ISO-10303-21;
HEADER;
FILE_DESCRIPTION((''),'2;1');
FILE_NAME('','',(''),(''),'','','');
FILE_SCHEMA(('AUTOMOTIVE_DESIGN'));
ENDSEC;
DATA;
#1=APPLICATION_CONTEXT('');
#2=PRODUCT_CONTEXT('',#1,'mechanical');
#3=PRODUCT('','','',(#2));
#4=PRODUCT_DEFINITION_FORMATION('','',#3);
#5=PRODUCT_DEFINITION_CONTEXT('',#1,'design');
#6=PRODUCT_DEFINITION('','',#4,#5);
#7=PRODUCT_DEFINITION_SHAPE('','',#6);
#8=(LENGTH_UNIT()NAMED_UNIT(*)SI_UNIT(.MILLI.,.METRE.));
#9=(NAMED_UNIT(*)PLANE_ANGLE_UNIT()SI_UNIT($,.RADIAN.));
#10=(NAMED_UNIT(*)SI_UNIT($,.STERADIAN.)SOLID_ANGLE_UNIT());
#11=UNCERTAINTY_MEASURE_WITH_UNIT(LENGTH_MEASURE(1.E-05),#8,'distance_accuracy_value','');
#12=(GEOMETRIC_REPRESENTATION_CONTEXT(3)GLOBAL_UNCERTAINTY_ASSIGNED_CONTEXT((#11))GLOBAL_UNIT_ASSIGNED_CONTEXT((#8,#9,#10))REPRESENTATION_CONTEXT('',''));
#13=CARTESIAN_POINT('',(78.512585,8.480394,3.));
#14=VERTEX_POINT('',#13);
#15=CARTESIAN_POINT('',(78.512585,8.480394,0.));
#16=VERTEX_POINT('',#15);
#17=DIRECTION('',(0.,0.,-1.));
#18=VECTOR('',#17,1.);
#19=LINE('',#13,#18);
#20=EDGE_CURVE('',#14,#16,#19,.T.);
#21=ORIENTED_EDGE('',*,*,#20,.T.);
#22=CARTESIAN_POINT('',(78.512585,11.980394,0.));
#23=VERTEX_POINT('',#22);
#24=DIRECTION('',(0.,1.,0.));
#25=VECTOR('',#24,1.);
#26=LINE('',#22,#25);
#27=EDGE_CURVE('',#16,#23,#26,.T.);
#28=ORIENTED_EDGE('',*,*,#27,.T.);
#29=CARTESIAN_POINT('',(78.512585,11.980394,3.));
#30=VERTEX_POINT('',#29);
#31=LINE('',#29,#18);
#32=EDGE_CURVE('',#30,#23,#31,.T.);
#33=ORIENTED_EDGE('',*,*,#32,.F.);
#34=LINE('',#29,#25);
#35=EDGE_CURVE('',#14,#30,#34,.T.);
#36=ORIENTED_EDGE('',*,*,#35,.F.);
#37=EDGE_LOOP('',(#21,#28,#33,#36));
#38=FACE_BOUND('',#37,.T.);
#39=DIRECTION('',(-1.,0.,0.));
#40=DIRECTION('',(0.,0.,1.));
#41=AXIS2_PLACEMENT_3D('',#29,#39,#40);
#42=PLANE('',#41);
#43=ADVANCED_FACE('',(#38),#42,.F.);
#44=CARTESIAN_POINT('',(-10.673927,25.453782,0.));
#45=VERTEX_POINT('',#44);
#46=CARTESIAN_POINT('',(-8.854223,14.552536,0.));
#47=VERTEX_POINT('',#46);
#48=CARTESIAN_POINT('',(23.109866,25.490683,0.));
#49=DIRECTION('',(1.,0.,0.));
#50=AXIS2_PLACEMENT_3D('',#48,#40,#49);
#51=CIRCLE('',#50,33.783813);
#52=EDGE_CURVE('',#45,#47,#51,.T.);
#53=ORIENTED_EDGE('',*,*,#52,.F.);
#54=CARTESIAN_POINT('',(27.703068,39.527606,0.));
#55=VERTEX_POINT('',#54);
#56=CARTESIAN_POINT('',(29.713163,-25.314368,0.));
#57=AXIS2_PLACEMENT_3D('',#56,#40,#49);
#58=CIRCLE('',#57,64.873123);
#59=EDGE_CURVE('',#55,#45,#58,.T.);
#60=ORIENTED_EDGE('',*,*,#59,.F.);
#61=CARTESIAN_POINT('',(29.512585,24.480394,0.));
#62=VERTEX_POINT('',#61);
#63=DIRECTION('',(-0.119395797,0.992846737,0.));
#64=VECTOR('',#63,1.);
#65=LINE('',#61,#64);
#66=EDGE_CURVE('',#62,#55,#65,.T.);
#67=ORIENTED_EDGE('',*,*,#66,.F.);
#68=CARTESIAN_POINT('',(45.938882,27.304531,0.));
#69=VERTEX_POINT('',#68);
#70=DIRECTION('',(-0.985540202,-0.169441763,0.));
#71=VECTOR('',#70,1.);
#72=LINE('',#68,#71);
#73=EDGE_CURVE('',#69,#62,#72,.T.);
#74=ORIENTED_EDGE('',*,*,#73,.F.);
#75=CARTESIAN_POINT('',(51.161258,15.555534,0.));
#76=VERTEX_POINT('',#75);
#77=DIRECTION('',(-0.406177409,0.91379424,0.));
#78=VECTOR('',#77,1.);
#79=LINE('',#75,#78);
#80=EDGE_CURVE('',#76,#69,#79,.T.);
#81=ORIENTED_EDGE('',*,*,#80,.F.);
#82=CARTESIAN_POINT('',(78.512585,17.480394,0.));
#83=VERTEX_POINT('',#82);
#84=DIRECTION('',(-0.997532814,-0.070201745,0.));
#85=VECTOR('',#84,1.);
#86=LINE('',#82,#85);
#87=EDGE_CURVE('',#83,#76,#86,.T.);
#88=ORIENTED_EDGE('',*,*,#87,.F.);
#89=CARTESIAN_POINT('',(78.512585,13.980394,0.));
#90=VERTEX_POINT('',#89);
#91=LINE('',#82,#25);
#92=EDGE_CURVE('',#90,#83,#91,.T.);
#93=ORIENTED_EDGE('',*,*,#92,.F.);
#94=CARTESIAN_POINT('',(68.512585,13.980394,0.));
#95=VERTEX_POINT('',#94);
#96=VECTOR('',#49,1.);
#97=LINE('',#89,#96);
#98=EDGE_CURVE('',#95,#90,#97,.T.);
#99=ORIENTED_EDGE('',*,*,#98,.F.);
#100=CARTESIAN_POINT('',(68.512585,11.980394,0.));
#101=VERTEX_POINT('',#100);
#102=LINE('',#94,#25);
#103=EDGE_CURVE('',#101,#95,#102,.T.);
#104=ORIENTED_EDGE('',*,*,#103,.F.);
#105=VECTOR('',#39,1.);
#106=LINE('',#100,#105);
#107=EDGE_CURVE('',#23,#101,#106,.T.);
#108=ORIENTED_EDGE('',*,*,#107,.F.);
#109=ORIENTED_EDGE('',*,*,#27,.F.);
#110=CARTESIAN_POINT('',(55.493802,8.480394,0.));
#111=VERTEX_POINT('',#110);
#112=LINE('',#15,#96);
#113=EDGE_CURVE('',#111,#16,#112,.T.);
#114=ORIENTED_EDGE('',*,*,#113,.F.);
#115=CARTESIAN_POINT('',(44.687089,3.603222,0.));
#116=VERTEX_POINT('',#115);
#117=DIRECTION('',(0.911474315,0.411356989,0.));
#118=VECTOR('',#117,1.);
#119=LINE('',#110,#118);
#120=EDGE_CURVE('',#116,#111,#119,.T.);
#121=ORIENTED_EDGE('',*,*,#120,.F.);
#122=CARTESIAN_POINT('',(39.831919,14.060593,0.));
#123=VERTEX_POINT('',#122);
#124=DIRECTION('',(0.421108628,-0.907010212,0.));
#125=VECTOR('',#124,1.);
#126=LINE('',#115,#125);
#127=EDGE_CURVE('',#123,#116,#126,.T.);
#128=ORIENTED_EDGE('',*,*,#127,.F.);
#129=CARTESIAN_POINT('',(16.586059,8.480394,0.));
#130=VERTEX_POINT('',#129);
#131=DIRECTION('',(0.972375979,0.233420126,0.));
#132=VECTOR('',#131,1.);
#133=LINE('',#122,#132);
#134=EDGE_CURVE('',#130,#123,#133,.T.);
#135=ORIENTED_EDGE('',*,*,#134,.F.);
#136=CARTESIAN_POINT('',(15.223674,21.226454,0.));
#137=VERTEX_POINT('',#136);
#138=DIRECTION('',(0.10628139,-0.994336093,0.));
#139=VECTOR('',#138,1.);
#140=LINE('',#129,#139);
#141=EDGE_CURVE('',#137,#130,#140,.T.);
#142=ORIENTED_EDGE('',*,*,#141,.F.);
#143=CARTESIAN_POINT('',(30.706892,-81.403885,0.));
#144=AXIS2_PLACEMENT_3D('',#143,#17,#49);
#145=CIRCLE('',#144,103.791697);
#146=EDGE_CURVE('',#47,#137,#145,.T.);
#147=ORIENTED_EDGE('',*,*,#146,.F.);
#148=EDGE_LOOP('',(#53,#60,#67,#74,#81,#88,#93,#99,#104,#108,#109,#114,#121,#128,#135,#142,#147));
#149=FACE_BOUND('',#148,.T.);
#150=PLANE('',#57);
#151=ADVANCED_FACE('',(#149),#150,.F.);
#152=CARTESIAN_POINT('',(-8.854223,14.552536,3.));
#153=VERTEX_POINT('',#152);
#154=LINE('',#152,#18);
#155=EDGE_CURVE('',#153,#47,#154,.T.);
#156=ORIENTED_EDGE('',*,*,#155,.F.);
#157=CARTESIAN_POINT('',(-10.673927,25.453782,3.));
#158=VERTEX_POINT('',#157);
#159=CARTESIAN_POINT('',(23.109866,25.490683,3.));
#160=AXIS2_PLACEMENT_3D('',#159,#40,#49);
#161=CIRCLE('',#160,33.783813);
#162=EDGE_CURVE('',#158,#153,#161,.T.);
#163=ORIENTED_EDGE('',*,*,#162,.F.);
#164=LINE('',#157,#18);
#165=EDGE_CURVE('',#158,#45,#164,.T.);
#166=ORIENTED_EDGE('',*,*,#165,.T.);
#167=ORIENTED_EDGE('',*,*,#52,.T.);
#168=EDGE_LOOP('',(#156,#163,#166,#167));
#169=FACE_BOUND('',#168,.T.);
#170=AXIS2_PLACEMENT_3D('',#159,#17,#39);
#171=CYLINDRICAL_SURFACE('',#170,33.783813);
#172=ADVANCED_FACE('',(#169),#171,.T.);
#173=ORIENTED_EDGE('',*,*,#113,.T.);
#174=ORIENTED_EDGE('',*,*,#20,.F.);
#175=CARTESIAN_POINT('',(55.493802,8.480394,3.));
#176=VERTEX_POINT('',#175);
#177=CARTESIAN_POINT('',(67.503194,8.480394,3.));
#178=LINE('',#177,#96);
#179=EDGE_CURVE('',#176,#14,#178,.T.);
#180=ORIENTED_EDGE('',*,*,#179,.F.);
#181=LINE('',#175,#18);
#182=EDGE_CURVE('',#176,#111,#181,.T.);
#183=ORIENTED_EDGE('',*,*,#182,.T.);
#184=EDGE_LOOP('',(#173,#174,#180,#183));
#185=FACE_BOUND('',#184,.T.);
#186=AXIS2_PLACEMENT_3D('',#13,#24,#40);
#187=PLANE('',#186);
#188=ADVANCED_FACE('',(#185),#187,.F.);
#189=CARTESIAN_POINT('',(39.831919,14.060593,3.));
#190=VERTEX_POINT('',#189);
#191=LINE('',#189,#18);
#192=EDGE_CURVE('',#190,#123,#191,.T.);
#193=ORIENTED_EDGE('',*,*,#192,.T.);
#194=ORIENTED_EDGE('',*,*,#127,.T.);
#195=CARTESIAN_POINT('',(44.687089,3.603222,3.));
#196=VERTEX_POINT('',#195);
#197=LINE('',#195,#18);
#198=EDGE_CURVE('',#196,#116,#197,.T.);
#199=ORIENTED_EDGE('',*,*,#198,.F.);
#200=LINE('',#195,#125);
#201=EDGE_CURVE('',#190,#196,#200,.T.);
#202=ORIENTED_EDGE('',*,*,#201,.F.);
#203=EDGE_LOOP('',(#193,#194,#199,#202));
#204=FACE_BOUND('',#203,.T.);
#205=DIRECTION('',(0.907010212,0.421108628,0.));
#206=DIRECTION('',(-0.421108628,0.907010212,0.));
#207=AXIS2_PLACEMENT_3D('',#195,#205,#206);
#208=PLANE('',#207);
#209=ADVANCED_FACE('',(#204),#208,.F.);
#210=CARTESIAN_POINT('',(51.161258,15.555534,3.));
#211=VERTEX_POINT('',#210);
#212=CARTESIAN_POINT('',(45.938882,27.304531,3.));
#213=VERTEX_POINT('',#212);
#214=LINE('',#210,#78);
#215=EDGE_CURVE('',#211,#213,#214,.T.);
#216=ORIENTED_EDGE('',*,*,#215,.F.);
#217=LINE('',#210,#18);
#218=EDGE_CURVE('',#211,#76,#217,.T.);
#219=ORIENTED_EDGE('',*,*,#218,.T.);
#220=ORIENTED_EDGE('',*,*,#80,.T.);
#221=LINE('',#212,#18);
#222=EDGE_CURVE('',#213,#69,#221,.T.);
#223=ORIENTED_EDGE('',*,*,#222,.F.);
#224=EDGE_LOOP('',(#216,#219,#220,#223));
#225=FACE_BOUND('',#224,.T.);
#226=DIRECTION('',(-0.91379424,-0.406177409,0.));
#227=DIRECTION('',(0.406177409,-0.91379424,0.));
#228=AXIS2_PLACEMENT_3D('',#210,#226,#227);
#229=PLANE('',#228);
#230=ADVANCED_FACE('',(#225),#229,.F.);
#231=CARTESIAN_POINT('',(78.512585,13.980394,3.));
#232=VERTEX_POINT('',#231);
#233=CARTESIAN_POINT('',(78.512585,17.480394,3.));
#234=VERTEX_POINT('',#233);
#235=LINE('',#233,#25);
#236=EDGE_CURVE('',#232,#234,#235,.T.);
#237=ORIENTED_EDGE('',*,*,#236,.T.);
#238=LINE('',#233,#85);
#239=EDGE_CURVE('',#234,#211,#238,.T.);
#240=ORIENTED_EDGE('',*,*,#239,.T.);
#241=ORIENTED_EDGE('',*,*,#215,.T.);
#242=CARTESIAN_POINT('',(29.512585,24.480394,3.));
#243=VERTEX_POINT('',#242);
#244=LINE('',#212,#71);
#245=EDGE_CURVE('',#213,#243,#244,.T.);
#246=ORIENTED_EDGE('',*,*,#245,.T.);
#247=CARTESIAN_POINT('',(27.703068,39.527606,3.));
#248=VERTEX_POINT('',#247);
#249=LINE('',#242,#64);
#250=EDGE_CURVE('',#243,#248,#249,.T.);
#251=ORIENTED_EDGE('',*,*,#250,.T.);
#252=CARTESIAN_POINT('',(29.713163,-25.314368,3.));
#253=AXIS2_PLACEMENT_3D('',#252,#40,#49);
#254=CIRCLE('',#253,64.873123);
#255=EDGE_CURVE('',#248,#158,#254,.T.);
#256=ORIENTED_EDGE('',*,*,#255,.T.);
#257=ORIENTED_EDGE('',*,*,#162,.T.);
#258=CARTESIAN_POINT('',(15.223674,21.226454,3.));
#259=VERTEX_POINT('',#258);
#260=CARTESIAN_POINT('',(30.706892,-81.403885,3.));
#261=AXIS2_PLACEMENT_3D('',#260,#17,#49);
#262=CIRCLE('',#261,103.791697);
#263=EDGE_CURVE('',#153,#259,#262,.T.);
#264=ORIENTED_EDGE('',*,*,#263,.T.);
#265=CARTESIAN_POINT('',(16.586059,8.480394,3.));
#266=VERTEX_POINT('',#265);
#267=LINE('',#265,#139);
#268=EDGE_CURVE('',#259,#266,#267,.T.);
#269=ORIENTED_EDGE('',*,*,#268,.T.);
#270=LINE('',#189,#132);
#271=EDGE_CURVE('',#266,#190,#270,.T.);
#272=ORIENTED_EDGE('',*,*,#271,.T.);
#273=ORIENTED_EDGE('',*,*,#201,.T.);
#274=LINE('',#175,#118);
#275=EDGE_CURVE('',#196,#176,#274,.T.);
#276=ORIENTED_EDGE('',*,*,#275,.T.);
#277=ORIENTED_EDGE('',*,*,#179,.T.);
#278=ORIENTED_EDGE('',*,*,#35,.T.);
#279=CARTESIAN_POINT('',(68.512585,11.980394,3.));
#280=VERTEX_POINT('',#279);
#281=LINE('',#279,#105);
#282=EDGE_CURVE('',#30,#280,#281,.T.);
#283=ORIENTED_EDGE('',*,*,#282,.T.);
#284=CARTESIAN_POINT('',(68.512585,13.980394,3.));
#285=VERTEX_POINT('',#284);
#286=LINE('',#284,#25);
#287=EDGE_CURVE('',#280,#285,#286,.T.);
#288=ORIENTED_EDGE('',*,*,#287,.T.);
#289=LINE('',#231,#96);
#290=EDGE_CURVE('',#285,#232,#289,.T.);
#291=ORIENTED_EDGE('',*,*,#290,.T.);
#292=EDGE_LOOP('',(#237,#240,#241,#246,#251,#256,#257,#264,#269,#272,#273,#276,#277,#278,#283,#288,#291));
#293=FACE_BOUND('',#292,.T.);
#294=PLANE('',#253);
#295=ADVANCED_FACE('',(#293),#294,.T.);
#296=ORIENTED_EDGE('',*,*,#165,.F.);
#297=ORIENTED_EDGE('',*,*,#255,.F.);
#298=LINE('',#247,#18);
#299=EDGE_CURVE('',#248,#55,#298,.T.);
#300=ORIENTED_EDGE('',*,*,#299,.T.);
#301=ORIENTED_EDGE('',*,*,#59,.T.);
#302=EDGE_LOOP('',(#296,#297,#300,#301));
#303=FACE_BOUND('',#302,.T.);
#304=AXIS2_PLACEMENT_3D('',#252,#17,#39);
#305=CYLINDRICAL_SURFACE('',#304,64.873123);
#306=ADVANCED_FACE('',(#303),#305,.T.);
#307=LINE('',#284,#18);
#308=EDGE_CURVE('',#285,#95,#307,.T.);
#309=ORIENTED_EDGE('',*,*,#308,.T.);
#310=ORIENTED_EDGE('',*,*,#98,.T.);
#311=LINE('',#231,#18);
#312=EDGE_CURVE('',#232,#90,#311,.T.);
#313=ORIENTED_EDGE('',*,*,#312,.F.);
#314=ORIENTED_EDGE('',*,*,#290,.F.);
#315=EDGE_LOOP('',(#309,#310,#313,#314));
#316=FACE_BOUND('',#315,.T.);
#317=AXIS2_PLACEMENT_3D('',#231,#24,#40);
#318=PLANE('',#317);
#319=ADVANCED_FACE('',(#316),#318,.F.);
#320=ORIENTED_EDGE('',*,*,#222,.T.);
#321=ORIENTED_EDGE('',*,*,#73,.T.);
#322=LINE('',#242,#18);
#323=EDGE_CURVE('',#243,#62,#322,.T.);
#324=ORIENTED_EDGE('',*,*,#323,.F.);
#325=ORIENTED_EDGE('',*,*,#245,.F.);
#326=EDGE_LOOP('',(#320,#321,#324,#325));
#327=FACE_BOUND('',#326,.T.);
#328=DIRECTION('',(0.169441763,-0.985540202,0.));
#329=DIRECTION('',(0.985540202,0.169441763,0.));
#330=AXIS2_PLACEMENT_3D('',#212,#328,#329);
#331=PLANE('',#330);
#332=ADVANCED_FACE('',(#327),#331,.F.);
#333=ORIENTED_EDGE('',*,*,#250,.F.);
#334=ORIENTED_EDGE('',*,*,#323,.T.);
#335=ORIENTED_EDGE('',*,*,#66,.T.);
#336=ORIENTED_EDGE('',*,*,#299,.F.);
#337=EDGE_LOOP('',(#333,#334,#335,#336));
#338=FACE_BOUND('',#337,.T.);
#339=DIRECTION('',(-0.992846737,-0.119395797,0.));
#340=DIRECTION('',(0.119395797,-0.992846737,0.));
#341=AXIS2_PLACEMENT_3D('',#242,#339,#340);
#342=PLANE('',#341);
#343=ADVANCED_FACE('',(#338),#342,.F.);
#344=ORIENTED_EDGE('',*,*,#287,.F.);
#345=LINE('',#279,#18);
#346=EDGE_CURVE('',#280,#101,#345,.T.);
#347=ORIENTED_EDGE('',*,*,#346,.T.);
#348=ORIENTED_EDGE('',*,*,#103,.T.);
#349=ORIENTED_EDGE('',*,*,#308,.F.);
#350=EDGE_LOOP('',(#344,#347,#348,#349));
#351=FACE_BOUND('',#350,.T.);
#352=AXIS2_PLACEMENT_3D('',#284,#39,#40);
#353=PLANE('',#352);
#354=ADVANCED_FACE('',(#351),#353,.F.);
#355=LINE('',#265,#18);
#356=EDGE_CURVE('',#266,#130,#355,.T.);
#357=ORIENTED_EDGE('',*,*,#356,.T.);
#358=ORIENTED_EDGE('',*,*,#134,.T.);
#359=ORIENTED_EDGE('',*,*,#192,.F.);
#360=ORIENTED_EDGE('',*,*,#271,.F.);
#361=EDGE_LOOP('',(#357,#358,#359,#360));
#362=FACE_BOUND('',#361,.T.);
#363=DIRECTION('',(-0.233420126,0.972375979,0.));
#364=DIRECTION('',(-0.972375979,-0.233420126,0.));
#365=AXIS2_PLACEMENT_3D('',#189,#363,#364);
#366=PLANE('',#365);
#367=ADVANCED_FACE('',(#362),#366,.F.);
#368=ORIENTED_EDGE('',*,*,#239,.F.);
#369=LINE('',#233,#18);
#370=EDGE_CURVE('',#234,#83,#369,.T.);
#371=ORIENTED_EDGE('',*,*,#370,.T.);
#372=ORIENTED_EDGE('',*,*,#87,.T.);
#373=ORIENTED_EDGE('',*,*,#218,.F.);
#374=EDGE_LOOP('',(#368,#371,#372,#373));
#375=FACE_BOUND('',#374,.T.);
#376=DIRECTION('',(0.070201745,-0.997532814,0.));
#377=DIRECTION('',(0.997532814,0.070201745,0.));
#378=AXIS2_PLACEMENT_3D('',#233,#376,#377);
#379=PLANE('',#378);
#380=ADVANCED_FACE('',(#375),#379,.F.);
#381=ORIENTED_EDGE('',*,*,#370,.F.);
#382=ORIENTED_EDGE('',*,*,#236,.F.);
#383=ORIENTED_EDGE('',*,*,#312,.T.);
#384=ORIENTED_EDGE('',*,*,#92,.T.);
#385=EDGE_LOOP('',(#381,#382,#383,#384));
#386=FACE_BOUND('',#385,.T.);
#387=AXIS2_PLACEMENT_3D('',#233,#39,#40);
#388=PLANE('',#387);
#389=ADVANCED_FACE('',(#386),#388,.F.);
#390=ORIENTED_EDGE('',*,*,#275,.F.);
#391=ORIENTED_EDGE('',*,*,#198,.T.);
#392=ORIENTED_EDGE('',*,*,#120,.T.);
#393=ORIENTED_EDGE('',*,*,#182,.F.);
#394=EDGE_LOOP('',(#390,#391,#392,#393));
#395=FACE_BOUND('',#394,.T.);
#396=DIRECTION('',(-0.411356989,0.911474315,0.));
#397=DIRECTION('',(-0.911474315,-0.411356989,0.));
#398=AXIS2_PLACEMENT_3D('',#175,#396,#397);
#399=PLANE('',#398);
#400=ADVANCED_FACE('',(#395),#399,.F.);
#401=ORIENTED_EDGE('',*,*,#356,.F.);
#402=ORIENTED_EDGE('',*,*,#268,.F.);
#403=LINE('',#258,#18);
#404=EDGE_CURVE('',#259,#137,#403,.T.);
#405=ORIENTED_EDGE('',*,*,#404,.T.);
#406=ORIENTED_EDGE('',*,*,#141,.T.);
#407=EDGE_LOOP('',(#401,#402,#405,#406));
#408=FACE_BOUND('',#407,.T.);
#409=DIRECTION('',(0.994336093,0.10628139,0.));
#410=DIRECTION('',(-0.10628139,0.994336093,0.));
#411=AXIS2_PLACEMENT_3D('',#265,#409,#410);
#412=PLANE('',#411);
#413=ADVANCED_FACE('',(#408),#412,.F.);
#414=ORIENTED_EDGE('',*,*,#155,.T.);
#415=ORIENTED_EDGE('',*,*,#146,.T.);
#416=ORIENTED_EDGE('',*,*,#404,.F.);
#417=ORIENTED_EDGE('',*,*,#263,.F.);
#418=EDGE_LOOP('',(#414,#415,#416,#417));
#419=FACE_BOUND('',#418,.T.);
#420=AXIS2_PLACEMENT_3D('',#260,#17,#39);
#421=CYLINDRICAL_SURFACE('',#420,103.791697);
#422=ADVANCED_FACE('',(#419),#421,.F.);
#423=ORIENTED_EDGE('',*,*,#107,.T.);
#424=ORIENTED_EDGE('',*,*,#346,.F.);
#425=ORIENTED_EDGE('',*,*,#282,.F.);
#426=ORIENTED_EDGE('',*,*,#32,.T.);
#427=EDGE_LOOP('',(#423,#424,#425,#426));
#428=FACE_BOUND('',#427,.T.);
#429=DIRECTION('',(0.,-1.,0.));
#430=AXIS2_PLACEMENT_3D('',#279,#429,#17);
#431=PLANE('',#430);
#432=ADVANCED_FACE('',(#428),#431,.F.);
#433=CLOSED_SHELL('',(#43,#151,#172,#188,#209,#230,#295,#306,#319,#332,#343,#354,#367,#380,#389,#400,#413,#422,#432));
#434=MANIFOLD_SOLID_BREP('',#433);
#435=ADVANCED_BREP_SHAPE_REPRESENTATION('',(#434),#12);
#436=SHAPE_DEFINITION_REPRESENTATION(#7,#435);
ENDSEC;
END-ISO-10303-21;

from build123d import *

# Parameters (mm, degrees)
SALIENTE_EXTRUIR1_DEPTH = 3


with BuildPart() as part:
    # Model → Saliente-Extruir1 (new body)
    with BuildSketch(Plane.XY):
        with BuildLine():
            Line((78.512585392, 8.480394017), (67.503193542, 8.480394017))
            Line((67.503193542, 8.480394017), (55.493801692, 8.480394017))
            Line((55.493801692, 8.480394017), (44.687089166, 3.603222324))
            Line((44.687089166, 3.603222324), (39.831918887, 14.06059302))
            Line((39.831918887, 14.06059302), (16.586059329, 8.480394017))
            Line((16.586059329, 8.480394017), (15.223673977, 21.22645362))
            ThreePointArc((15.223673977, 21.22645362), (2.983166863, 18.616670486), (-8.854222662, 14.552535688))
            ThreePointArc((-8.854222662, 14.552535688), (-10.212878112, 19.928241742), (-10.673926914, 25.453781916))
            ThreePointArc((-10.673926914, 25.453781916), (7.377127931, 35.592311556), (27.703067566, 39.527605983))
            Line((27.703067566, 39.527605983), (29.512585392, 24.480394017))
            Line((29.512585392, 24.480394017), (45.938881991, 27.30453113))
            Line((45.938881991, 27.30453113), (51.161258051, 15.555534113))
            Line((51.161258051, 15.555534113), (78.512585392, 17.480394017))
            Line((78.512585392, 17.480394017), (78.512585392, 13.980394017))
            Line((78.512585392, 13.980394017), (68.512585392, 13.980394017))
            Line((68.512585392, 13.980394017), (68.512585392, 11.980394017))
            Line((68.512585392, 11.980394017), (78.512585392, 11.980394017))
            Line((78.512585392, 11.980394017), (78.512585392, 8.480394017))
        make_face()
    extrude(amount=SALIENTE_EXTRUIR1_DEPTH)


solid = part.part
